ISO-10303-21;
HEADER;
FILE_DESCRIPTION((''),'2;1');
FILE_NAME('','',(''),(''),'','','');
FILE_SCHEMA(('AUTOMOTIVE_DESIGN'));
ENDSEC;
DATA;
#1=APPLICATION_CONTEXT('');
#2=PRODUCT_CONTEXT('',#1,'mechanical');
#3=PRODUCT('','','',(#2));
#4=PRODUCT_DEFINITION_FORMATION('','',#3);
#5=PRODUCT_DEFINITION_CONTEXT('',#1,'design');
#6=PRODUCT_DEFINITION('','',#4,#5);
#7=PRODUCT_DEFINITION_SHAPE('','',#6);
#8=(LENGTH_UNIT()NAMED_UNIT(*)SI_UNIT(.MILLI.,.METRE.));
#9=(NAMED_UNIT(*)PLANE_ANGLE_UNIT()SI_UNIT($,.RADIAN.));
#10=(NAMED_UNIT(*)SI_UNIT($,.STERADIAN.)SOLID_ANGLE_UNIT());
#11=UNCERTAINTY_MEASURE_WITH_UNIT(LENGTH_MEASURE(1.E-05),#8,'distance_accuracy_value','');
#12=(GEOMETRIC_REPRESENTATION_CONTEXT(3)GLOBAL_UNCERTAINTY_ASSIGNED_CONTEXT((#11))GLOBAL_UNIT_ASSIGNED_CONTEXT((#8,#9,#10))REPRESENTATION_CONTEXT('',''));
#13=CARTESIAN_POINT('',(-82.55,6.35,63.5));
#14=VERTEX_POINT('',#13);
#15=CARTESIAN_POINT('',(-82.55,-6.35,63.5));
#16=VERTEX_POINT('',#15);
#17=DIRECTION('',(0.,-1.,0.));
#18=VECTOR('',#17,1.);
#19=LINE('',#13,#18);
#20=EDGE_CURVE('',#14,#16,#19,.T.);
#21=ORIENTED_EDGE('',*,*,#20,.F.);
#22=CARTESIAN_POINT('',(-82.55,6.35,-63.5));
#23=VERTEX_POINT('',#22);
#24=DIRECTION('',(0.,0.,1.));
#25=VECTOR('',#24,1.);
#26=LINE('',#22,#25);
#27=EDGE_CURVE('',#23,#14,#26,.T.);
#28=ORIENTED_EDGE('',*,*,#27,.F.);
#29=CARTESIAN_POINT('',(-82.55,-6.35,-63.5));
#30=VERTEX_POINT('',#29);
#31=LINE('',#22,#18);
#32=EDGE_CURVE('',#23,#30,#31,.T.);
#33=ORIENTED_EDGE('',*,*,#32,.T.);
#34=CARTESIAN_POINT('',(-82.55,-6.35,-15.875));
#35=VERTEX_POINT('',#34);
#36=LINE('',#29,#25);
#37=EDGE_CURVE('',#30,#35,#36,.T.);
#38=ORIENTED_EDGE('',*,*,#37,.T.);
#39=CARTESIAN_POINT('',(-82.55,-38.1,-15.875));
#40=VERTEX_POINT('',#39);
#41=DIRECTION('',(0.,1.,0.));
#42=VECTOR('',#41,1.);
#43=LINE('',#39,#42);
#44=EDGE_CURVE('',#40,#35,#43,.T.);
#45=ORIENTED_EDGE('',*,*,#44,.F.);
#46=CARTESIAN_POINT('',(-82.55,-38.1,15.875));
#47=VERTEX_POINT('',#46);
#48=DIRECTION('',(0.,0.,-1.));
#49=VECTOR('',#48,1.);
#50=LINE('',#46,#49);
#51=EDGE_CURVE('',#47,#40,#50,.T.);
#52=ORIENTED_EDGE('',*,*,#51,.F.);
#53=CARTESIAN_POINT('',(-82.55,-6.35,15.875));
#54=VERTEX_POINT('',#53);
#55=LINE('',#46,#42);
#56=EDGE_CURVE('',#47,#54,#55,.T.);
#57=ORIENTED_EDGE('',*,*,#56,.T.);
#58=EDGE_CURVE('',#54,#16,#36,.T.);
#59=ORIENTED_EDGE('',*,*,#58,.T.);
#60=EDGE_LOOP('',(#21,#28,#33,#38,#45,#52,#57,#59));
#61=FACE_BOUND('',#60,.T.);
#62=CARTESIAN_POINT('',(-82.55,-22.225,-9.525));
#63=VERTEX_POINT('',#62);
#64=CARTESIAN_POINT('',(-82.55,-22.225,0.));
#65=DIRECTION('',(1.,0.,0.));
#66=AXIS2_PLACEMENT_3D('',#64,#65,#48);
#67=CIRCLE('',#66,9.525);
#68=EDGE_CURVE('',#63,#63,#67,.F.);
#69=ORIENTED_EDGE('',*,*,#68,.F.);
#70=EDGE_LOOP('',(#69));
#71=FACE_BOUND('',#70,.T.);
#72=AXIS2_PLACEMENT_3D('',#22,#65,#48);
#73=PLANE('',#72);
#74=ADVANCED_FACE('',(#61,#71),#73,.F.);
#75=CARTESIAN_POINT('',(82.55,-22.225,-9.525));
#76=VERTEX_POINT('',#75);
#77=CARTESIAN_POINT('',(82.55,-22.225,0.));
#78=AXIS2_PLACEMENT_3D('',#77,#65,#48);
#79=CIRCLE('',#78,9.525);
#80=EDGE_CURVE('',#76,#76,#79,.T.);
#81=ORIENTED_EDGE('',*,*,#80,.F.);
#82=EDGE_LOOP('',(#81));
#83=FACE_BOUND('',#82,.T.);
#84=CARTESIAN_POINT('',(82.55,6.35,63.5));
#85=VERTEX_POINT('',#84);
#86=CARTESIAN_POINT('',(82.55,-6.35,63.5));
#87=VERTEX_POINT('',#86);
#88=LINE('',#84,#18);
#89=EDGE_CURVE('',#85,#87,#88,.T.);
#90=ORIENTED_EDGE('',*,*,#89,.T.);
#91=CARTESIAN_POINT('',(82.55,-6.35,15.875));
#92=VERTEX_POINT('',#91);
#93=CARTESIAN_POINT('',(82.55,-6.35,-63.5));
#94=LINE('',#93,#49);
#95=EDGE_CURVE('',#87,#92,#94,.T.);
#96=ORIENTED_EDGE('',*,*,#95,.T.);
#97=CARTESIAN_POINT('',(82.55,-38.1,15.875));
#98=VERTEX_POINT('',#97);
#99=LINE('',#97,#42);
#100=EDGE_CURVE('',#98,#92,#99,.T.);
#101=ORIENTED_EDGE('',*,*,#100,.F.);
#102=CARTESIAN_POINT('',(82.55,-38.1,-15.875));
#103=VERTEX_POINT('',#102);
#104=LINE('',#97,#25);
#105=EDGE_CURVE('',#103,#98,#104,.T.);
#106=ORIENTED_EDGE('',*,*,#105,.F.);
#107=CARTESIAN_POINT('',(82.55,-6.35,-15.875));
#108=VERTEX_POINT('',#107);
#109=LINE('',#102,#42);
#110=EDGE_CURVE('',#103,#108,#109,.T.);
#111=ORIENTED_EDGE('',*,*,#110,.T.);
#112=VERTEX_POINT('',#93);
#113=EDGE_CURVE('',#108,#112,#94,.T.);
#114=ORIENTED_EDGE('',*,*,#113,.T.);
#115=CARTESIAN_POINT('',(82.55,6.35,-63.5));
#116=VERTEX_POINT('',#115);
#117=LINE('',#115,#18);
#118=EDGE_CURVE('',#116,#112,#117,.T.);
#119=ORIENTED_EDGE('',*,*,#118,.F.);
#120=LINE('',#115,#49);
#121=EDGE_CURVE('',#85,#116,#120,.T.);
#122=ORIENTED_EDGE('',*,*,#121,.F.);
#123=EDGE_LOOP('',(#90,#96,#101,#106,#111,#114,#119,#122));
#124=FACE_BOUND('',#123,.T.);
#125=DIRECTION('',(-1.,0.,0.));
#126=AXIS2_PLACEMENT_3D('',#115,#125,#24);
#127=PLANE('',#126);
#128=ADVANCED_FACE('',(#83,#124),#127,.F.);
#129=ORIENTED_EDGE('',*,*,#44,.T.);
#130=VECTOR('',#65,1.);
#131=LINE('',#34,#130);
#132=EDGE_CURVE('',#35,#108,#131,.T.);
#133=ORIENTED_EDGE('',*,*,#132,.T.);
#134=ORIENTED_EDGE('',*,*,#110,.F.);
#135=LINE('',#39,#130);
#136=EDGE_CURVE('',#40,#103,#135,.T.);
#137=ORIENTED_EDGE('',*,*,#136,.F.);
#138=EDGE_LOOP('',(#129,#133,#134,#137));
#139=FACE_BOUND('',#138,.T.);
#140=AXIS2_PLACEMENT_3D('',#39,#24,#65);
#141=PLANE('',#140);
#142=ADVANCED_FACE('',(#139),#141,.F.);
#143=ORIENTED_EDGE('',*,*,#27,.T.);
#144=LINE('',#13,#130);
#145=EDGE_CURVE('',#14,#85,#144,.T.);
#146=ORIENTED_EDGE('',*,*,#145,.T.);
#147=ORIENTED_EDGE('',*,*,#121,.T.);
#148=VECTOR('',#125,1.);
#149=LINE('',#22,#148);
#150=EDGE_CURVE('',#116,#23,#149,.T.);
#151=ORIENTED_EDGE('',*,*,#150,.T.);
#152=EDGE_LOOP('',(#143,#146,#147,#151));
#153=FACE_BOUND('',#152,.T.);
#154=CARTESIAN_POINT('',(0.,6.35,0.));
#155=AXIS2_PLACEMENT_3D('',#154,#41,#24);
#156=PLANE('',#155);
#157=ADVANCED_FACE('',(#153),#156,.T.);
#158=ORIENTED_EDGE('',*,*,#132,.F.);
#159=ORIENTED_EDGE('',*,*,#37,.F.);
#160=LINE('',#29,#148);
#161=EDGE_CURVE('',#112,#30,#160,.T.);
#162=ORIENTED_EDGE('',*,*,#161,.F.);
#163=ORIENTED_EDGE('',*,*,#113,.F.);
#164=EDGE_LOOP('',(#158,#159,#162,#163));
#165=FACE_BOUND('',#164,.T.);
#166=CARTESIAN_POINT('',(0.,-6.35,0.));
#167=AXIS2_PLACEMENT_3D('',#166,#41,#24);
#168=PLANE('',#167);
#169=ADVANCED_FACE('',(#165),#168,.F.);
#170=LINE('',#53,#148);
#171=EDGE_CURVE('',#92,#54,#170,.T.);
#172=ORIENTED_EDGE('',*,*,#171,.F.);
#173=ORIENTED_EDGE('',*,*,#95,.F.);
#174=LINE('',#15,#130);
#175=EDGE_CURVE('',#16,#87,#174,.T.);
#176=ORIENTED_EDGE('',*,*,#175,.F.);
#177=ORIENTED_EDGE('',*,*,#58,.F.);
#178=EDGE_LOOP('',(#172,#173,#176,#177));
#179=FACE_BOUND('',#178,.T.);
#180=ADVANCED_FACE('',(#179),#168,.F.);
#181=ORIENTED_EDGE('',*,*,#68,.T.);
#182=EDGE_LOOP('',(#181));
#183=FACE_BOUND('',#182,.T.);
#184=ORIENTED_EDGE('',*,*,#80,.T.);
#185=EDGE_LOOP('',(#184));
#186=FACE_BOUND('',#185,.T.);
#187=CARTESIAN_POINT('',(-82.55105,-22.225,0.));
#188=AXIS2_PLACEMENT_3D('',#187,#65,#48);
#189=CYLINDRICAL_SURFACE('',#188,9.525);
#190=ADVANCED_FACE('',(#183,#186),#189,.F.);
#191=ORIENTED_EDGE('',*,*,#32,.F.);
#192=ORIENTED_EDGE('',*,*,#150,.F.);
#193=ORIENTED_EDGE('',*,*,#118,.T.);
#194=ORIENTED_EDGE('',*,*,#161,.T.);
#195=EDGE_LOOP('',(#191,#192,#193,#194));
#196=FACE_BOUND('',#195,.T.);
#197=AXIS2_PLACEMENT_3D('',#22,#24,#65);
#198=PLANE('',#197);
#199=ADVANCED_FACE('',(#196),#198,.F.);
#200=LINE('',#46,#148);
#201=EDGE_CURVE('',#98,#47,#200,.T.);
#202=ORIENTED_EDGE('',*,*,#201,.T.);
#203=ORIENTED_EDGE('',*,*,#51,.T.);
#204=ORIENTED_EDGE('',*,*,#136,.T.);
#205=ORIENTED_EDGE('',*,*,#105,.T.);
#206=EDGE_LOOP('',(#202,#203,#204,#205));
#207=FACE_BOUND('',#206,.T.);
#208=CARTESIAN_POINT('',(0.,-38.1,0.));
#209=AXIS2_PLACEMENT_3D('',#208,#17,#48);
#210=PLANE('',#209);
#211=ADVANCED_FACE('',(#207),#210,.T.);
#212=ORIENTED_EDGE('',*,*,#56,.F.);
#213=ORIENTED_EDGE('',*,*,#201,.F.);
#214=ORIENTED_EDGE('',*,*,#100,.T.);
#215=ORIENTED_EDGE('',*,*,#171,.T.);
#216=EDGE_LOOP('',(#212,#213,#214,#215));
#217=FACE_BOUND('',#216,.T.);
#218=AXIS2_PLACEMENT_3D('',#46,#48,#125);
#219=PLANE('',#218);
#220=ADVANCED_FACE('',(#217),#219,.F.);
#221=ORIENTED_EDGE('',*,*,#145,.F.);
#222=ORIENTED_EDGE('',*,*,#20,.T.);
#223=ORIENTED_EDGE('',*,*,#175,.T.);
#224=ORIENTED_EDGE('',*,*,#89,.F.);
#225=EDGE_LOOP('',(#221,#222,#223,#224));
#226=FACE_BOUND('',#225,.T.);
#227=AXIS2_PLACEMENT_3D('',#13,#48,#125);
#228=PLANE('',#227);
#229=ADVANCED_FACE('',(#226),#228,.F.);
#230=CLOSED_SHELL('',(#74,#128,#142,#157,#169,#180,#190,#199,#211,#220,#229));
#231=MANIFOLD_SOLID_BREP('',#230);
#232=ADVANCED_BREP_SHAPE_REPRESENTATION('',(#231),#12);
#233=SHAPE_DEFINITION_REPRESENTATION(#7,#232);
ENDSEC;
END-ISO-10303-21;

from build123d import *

# Parameters (mm, degrees)
SKETCH1_W           = 165.1
SKETCH1_H           = 127
BOSS_EXTRUDE1_DEPTH = 6.35
SKETCH2_W           = 165.1
SKETCH2_H           = 31.75
BOSS_EXTRUDE2_DEPTH = 31.75
CUT_EXTRUDE1_REACH  = 167.1
SKETCH3_R           = 9.525


with BuildPart() as part:
    # Sketch1 → Boss-Extrude1 (new body, symmetric)
    with BuildSketch(Plane(origin=(0, 0, 0), x_dir=(1, 0, 0), z_dir=(0, 1, 0))):
        Rectangle(SKETCH1_W, SKETCH1_H)
    extrude(amount=BOSS_EXTRUDE1_DEPTH, both=True)

    # Sketch2 → Boss-Extrude2 (add)
    with BuildSketch(Plane.XZ.offset(6.35)):
        Rectangle(SKETCH2_W, SKETCH2_H)
    extrude(amount=BOSS_EXTRUDE2_DEPTH)

    # Sketch3 → Cut-Extrude1 (cut, up to next)
    with BuildSketch(Plane(origin=(82.55, 0, 0), x_dir=(0, 0, -1), z_dir=(1, 0, 0)), mode=Mode.PRIVATE) as cut_extrude1_sk1:
        with Locations((0, -22.225)):
            Circle(SKETCH3_R)
    cut_extrude1_tool1 = extrude(cut_extrude1_sk1.sketch, amount=-CUT_EXTRUDE1_REACH, mode=Mode.PRIVATE) & part.part
    add(cut_extrude1_tool1.solids().sort_by_distance((82.55, -22.225, 0))[0], mode=Mode.SUBTRACT)


solid = part.part
